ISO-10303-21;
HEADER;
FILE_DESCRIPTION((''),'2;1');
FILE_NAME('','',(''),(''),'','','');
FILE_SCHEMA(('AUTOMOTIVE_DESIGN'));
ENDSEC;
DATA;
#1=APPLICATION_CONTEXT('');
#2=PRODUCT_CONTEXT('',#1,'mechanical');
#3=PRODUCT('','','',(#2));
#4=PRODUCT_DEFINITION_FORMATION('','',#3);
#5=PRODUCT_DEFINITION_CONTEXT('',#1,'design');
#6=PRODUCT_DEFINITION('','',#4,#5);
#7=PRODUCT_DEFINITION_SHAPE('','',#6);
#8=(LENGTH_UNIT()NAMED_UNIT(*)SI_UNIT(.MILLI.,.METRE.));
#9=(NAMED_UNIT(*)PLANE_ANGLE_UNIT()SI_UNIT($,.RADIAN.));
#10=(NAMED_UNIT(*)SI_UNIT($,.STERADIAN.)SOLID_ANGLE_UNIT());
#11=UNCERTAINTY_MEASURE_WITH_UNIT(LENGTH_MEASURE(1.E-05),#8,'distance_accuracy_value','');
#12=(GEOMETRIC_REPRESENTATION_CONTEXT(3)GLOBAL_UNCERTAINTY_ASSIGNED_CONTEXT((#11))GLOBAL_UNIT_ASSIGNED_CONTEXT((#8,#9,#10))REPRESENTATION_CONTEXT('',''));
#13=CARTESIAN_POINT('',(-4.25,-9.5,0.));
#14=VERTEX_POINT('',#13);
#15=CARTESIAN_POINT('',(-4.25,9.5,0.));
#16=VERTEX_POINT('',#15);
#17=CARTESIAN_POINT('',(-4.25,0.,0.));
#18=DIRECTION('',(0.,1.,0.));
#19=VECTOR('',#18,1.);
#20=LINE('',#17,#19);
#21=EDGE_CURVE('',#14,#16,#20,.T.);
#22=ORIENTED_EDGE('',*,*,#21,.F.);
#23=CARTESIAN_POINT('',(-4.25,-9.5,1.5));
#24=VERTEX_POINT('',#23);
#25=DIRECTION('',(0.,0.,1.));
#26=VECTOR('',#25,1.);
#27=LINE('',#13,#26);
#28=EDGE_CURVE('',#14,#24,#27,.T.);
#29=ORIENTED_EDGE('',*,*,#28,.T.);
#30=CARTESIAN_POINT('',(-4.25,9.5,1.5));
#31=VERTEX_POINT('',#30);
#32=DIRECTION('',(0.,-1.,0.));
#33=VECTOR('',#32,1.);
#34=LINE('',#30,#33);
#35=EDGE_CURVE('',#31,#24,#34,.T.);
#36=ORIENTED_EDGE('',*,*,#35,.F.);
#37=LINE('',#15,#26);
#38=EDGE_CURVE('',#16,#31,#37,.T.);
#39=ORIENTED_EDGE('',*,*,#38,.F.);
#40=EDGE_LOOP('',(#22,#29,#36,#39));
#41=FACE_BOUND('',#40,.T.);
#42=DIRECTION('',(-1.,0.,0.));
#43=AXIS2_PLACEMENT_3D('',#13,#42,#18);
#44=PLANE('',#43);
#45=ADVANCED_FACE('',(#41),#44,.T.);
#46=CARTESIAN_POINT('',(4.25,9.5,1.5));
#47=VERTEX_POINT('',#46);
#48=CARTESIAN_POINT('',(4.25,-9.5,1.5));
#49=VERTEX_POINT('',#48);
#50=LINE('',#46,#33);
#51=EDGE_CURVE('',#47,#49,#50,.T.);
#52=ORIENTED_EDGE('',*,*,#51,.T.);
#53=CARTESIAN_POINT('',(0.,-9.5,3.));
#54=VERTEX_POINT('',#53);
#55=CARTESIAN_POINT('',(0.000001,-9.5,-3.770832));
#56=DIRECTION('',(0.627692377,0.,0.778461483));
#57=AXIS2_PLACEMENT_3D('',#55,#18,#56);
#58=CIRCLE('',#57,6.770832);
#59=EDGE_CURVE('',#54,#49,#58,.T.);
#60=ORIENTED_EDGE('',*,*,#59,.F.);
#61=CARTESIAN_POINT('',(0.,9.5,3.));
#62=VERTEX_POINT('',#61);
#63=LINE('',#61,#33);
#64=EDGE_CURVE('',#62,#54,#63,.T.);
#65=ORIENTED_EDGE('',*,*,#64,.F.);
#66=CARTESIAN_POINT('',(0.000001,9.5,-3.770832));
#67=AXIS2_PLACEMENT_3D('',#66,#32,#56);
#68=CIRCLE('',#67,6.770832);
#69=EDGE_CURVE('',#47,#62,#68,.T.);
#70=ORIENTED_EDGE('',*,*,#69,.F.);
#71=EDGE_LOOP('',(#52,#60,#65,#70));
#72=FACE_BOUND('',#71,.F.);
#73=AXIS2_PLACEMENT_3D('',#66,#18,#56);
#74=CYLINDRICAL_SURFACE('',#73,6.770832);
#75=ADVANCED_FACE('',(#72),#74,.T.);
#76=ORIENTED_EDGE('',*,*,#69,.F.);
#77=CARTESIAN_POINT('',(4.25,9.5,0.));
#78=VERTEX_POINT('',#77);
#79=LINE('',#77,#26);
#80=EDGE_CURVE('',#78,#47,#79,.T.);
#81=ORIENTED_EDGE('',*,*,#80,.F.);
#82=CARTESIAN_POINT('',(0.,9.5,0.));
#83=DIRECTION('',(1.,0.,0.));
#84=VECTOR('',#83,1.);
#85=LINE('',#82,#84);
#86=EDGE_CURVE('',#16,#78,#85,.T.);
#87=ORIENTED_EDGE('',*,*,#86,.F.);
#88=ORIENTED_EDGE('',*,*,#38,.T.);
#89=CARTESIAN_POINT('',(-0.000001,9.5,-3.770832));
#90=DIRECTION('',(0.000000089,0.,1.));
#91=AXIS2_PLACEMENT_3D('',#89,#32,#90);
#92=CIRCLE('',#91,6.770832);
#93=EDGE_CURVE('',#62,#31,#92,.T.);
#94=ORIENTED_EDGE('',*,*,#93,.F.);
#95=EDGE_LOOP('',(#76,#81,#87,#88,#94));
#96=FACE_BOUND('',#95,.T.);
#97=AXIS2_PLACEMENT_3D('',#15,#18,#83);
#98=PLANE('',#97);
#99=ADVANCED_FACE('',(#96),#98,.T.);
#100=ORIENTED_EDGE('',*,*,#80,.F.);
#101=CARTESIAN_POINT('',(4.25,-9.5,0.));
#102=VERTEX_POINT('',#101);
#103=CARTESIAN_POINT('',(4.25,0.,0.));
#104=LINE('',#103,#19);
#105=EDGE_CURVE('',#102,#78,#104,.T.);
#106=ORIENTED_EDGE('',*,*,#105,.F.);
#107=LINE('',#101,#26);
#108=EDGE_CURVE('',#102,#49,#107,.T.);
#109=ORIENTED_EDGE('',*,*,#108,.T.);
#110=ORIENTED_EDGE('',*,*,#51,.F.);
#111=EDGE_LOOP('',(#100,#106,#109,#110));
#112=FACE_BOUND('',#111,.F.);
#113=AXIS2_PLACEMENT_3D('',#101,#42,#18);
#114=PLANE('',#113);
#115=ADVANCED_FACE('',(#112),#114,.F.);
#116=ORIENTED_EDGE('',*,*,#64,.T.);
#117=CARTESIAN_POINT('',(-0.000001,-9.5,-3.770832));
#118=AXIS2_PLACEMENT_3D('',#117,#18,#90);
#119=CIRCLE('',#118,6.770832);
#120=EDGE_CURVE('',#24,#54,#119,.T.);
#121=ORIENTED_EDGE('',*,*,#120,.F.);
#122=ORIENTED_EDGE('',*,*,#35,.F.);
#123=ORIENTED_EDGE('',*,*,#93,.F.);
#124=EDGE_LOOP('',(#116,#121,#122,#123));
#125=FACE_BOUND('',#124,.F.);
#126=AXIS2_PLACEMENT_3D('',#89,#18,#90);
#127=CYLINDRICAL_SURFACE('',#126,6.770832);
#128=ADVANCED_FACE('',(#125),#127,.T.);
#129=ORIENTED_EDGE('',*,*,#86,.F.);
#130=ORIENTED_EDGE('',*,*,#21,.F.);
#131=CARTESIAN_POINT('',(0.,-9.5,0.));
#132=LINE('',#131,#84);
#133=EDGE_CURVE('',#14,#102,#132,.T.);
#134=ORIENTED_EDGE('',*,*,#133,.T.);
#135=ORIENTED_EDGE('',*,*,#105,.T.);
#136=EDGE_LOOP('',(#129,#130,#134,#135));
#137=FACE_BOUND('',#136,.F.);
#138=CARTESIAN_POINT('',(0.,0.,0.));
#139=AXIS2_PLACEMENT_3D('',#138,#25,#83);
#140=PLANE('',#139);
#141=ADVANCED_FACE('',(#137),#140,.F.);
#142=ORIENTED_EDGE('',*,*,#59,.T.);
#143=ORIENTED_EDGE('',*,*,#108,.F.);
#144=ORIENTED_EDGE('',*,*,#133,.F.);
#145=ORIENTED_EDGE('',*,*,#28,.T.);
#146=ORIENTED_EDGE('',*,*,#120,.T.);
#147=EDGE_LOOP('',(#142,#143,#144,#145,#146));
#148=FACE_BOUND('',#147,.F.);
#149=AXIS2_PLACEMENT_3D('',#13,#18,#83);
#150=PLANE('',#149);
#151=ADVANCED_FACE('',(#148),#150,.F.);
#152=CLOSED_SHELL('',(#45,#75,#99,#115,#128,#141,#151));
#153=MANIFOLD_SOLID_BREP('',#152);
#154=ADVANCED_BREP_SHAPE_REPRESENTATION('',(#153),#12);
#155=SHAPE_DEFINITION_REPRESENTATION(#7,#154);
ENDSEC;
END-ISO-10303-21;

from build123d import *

# Parameters (mm, degrees)
F0_W     = 8.5
F0_H     = 19
F1_DEPTH = 3
F3_DEPTH = 25


with BuildPart() as f1:
    # F0 (on Top) → F1 (new body)
    with BuildSketch(Plane.XY):
        Rectangle(F0_W, F0_H)
    extrude(amount=F1_DEPTH)

    # F2 (on face) → F3 (cut)
    with BuildSketch(Plane(origin=(0, 9.5, 0), x_dir=(-1, 0, 0), z_dir=(0, 1, 0))):
        with BuildLine():
            Line((-4.25, 3), (-4.25, 1.5))
            ThreePointArc((-4.25, 1.5), (-2.25347, 2.613997), (0, 3))
            Line((0, 3), (-4.25, 3))
        make_face()
        with BuildLine():
            Line((4.25, 3), (0, 3))
            ThreePointArc((0, 3), (2.25347, 2.613997), (4.25, 1.5))
            Line((4.25, 1.5), (4.25, 3))
        make_face()
    extrude(amount=-F3_DEPTH, mode=Mode.SUBTRACT)


solid = f1.part
